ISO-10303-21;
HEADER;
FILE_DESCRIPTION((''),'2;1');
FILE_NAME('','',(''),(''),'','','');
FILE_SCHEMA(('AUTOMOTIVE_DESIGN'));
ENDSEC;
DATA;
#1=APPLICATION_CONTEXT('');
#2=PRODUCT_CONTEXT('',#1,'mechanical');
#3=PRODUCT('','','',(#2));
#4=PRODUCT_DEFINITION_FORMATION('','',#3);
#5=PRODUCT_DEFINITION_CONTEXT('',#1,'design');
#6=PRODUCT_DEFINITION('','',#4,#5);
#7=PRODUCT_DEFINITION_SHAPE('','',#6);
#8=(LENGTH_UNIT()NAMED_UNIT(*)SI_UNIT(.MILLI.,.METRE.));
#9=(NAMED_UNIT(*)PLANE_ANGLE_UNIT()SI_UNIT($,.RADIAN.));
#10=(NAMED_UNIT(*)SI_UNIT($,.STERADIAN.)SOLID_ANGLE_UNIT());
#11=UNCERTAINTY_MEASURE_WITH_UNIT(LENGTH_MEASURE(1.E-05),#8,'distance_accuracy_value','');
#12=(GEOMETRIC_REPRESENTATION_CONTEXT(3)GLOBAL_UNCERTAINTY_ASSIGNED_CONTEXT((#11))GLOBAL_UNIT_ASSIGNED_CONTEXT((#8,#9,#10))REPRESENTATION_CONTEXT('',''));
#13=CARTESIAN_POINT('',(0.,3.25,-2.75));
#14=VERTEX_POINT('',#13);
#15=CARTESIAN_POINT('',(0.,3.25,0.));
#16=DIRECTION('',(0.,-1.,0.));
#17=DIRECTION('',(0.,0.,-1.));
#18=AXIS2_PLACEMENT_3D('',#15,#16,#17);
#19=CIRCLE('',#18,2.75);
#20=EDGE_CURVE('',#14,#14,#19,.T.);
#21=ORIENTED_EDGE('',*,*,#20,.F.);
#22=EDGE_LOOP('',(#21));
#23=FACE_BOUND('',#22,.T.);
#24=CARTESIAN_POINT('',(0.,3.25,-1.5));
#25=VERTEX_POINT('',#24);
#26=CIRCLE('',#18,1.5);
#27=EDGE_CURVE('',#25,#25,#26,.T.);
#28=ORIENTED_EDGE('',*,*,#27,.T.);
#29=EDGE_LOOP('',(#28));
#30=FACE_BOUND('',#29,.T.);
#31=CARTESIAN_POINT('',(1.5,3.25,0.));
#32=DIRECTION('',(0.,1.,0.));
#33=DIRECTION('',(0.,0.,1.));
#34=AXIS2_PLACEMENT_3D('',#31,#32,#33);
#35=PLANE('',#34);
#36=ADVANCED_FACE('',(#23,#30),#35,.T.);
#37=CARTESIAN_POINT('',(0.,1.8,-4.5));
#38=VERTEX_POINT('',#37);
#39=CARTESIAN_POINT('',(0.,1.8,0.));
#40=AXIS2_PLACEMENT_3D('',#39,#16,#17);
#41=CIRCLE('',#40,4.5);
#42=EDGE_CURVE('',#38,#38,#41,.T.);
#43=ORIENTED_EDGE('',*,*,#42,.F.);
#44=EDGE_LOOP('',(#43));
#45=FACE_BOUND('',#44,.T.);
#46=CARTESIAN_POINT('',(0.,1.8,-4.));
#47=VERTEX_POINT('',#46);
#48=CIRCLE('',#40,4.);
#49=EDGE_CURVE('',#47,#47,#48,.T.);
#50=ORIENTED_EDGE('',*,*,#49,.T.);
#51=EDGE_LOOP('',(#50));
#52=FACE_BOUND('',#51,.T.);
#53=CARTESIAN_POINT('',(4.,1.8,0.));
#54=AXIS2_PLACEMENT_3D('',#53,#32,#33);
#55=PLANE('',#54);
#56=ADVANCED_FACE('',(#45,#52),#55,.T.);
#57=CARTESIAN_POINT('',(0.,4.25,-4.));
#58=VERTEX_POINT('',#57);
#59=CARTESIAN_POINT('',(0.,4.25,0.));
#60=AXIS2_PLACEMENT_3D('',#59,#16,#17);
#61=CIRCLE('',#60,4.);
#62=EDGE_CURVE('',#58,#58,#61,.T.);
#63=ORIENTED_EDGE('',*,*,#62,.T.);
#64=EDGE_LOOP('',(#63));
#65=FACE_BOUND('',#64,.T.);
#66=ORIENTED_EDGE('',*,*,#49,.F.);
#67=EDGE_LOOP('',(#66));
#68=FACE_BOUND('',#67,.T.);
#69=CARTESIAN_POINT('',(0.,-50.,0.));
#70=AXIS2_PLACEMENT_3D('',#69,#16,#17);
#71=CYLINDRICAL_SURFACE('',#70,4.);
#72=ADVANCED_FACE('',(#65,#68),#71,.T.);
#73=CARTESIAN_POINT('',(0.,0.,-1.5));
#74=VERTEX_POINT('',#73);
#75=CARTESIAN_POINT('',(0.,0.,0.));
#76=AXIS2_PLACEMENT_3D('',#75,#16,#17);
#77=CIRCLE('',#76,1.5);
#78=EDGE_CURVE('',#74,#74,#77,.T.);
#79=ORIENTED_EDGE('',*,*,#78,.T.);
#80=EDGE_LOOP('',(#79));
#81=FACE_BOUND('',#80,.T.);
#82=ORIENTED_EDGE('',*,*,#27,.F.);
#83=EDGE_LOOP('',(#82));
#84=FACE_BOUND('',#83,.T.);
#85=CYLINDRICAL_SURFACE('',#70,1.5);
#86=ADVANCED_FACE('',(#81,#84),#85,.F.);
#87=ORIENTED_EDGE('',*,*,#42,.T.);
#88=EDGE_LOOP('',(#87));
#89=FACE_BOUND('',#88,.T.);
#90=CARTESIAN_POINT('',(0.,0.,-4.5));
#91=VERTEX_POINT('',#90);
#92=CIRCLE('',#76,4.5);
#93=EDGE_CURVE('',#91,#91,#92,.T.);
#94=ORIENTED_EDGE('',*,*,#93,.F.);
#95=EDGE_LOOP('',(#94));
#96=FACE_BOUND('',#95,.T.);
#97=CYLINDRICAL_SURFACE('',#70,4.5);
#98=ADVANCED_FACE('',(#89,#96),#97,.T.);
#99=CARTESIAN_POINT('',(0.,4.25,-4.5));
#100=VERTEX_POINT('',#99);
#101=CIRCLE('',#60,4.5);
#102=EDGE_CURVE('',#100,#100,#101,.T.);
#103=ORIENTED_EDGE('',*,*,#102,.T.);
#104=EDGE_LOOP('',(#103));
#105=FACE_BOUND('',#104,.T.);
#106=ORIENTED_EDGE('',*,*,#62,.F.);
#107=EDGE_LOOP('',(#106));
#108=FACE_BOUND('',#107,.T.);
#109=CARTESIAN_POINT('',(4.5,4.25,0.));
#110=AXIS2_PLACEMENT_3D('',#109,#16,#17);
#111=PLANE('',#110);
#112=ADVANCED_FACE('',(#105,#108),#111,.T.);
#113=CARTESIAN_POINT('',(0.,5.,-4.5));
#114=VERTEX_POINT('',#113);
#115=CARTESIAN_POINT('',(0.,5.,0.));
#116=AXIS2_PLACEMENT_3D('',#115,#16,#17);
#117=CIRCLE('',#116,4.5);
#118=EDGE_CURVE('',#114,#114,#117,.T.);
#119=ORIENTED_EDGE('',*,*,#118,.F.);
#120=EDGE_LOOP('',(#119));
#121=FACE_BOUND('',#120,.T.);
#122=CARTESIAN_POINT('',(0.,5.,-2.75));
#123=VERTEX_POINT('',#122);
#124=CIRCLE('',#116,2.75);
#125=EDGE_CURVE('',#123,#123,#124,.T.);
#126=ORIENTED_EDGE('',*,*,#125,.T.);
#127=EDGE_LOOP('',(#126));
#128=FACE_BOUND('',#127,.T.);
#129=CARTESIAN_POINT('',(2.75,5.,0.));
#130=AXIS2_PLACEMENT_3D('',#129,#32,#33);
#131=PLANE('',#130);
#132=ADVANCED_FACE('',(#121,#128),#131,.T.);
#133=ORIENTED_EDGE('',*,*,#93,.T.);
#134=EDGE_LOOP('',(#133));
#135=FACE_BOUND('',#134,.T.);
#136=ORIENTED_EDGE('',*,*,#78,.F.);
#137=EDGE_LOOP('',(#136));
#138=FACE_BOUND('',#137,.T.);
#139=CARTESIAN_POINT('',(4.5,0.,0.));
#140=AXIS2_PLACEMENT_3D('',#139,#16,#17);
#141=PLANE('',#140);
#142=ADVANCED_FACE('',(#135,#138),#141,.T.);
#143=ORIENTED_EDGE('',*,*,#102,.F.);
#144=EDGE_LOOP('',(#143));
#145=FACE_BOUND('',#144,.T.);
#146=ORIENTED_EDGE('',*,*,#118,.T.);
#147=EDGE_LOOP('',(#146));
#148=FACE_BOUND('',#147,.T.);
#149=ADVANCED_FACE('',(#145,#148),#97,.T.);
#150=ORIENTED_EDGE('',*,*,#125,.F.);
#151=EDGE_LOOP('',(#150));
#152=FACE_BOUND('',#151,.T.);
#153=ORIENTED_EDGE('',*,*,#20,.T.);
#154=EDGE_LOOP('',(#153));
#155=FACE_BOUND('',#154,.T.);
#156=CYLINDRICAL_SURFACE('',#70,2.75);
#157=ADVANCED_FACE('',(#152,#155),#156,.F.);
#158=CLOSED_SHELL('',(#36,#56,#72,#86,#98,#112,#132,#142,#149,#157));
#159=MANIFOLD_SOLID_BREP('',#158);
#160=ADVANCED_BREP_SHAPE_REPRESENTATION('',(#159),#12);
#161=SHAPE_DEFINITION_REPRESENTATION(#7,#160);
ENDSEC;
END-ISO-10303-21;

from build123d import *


with BuildPart() as part:
    # Sketch1 → Revolve1 (revolve)
    with BuildSketch(Plane.XY, mode=Mode.PRIVATE) as revolve1_sk:
        Polygon((1.5, 0), (1.5, 3.25), (2.75, 3.25), (2.75, 5), (4.5, 5), (4.5, 4.25), (4, 4.25), (4, 1.8), (4.5, 1.8), (4.5, 0), align=None)
    revolve(revolve1_sk.sketch.rotate(Axis((0, -50, 0), (0, 1, 0)), 90), axis=Axis((0, -50, 0), (0, 1, 0)))


solid = part.part
